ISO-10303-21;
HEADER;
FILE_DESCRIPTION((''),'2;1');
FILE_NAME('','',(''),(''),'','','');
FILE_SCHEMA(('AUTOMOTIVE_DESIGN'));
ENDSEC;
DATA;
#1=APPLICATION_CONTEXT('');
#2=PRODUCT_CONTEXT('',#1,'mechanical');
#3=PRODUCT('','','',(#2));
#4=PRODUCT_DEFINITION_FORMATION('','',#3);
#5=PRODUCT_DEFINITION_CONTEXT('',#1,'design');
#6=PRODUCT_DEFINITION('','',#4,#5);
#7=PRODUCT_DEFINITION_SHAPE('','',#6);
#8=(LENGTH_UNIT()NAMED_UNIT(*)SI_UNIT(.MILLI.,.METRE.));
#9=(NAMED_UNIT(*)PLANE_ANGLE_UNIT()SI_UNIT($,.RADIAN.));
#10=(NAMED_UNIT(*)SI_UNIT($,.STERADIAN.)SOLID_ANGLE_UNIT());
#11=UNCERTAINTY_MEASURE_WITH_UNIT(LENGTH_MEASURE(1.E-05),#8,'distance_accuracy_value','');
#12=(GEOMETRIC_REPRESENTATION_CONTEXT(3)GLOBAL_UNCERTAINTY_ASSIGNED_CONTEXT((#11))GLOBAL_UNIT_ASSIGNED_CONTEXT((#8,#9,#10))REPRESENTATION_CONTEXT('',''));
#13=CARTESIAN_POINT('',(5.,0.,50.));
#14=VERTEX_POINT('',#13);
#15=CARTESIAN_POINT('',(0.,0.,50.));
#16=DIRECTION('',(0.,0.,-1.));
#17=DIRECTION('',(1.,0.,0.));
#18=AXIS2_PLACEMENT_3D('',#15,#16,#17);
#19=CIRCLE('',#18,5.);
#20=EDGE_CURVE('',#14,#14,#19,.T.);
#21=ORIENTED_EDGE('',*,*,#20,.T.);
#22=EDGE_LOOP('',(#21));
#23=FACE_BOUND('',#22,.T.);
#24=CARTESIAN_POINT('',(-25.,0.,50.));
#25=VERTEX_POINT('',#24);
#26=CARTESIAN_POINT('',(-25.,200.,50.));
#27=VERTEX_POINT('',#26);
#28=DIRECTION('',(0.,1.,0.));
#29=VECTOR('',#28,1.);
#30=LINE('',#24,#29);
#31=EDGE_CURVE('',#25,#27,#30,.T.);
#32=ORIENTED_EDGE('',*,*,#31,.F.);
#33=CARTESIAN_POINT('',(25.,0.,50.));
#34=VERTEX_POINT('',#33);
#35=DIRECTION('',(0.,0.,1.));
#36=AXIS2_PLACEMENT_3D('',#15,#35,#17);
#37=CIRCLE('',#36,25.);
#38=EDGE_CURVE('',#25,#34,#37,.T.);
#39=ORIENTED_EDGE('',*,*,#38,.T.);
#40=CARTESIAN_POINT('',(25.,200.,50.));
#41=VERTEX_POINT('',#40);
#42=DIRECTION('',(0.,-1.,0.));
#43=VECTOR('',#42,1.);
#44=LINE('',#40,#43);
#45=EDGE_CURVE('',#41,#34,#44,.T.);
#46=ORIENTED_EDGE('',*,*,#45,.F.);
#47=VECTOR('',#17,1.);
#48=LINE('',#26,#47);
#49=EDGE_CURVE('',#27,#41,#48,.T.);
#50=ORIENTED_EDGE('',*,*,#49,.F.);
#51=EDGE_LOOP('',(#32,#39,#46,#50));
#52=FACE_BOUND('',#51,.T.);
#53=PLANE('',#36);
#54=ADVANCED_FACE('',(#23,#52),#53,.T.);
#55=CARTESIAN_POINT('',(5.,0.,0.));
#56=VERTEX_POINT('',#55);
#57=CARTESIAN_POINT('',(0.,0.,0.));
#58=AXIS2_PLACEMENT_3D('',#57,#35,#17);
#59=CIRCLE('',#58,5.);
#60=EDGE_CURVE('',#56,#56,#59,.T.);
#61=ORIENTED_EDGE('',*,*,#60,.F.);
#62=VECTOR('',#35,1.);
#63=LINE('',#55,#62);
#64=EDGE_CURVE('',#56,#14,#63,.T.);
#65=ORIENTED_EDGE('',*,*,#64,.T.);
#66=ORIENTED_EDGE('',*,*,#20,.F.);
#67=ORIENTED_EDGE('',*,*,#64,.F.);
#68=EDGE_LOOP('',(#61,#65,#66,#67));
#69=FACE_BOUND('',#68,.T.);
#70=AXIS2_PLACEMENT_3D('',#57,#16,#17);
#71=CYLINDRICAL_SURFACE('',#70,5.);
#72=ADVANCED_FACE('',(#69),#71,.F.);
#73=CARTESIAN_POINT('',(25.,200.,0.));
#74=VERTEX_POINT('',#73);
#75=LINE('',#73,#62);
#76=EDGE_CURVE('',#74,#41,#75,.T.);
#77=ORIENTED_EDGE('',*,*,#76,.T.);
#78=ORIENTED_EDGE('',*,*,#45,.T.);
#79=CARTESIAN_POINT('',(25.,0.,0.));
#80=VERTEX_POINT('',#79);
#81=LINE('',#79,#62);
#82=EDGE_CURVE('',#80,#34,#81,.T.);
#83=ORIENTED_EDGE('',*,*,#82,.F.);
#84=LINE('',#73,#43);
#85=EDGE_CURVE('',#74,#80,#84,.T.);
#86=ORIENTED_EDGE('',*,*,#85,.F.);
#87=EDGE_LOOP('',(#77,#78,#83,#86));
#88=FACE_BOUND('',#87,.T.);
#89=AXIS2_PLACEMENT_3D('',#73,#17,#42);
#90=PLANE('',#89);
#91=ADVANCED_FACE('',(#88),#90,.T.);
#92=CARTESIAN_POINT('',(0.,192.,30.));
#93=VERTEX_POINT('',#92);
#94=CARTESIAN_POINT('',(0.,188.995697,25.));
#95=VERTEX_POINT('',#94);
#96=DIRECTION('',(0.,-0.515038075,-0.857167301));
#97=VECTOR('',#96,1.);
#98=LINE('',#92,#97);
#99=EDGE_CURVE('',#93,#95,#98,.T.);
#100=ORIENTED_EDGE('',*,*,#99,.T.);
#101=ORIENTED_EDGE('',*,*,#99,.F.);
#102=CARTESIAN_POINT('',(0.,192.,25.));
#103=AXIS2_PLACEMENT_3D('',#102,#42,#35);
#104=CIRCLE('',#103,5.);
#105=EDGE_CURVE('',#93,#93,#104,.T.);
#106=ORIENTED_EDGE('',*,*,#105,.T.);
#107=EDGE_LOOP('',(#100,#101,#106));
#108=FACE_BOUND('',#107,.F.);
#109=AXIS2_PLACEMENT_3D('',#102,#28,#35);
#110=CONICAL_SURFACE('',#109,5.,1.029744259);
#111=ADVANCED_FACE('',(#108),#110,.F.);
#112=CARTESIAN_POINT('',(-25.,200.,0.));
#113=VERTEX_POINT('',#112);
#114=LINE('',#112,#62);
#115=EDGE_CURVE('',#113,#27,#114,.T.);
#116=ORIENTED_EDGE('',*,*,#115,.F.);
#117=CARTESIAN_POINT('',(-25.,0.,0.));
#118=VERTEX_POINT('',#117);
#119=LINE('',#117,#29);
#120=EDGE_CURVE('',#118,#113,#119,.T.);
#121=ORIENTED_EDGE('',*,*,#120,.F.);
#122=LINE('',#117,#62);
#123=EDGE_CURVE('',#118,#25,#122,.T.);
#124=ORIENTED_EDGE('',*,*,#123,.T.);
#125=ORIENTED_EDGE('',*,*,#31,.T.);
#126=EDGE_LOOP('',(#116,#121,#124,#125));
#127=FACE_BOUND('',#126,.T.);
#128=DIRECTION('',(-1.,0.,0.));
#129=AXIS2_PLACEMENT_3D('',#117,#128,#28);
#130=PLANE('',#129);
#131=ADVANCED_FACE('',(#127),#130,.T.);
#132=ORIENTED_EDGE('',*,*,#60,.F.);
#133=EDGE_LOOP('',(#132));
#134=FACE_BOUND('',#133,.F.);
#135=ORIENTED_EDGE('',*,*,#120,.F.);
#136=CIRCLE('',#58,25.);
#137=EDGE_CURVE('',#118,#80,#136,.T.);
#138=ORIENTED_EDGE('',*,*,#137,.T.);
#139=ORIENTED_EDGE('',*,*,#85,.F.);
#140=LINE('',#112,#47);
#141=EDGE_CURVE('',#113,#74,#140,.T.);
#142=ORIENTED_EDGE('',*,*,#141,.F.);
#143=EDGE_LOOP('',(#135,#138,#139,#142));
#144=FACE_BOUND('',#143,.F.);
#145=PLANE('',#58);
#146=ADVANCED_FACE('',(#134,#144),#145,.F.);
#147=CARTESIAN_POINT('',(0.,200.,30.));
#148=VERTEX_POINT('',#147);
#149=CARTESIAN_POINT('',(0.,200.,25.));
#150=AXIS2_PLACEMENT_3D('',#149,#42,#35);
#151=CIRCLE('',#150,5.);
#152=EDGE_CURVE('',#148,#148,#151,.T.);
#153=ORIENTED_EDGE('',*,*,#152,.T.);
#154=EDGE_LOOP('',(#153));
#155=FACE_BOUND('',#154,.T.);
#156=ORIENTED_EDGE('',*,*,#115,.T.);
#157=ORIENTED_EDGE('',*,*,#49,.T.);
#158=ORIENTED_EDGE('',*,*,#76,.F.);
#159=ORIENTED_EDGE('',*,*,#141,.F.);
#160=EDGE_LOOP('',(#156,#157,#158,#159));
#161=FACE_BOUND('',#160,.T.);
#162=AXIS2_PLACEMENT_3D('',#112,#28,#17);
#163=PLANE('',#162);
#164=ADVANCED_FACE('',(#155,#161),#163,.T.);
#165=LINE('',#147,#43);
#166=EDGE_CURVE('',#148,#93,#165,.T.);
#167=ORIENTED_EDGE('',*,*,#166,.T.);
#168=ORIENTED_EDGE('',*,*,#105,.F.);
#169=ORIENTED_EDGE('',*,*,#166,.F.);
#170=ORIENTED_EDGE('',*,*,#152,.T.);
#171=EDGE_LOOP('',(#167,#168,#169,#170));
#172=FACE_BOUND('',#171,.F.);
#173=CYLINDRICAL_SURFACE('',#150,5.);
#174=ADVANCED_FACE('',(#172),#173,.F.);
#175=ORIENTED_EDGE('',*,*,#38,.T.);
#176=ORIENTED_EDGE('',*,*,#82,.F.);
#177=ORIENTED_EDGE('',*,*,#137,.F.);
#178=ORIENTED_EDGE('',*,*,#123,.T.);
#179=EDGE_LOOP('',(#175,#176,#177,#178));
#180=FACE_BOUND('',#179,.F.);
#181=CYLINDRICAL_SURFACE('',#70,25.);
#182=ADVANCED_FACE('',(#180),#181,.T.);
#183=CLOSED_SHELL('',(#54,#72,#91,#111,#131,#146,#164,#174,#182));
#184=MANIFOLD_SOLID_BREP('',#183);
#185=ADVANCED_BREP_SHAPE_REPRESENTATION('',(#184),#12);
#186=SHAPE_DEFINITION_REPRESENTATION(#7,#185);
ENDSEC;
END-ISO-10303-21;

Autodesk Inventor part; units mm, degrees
ref_plane "YZ Plane" through (0, 0, 0) normal (1, 0, 0) x (0, 1, 0)
ref_plane "XZ Plane" through (0, 0, 0) normal (0, 1, 0) x (-1, 0, 0)
ref_plane "XY Plane" through (0, 0, 0) normal (0, 0, 1) x (1, 0, 0)
sketch "Sketch1" plane through (0, 0, 0) normal (0, 0, 1) x (1, 0, 0)
  circle A0 centre (0, 0) radius 5
  circle A1 centre (0, 0) radius 25
  line L0 (25, 0) -> (-25, 0)
  line L1 (-25, 0) -> (-25, 200)
  line L2 (-25, 200) -> (25, 200)
  line L3 (25, 200) -> (25, 0)
  dimension "d1" = 50
  dimension "d0" = 10
  dimension "d2" = 200
extrude "Extrusion1" add sketch "Sketch1" along normal blind 50 contours L0 A1 A0 | A0 L0 A1 | A1 L1 L2 L3
sketch "Sketch2" plane through (-25, 200, 0) normal (0, 1, 0) x (1, 0, 0)
  line L0 (50, 0) -> (0, 0) projected
  line L1 (0, 0) -> (0, -50) projected
  point P0 (25, 0)
  point P1 (25, -25)
  dimension "d5" = 25
  dimension "d6" = 25
hole "Hole1" at (0, 200, 25) direction (0, -1, 0) diameter 10 depth 8 tip angle 118
properties part number "link5"
